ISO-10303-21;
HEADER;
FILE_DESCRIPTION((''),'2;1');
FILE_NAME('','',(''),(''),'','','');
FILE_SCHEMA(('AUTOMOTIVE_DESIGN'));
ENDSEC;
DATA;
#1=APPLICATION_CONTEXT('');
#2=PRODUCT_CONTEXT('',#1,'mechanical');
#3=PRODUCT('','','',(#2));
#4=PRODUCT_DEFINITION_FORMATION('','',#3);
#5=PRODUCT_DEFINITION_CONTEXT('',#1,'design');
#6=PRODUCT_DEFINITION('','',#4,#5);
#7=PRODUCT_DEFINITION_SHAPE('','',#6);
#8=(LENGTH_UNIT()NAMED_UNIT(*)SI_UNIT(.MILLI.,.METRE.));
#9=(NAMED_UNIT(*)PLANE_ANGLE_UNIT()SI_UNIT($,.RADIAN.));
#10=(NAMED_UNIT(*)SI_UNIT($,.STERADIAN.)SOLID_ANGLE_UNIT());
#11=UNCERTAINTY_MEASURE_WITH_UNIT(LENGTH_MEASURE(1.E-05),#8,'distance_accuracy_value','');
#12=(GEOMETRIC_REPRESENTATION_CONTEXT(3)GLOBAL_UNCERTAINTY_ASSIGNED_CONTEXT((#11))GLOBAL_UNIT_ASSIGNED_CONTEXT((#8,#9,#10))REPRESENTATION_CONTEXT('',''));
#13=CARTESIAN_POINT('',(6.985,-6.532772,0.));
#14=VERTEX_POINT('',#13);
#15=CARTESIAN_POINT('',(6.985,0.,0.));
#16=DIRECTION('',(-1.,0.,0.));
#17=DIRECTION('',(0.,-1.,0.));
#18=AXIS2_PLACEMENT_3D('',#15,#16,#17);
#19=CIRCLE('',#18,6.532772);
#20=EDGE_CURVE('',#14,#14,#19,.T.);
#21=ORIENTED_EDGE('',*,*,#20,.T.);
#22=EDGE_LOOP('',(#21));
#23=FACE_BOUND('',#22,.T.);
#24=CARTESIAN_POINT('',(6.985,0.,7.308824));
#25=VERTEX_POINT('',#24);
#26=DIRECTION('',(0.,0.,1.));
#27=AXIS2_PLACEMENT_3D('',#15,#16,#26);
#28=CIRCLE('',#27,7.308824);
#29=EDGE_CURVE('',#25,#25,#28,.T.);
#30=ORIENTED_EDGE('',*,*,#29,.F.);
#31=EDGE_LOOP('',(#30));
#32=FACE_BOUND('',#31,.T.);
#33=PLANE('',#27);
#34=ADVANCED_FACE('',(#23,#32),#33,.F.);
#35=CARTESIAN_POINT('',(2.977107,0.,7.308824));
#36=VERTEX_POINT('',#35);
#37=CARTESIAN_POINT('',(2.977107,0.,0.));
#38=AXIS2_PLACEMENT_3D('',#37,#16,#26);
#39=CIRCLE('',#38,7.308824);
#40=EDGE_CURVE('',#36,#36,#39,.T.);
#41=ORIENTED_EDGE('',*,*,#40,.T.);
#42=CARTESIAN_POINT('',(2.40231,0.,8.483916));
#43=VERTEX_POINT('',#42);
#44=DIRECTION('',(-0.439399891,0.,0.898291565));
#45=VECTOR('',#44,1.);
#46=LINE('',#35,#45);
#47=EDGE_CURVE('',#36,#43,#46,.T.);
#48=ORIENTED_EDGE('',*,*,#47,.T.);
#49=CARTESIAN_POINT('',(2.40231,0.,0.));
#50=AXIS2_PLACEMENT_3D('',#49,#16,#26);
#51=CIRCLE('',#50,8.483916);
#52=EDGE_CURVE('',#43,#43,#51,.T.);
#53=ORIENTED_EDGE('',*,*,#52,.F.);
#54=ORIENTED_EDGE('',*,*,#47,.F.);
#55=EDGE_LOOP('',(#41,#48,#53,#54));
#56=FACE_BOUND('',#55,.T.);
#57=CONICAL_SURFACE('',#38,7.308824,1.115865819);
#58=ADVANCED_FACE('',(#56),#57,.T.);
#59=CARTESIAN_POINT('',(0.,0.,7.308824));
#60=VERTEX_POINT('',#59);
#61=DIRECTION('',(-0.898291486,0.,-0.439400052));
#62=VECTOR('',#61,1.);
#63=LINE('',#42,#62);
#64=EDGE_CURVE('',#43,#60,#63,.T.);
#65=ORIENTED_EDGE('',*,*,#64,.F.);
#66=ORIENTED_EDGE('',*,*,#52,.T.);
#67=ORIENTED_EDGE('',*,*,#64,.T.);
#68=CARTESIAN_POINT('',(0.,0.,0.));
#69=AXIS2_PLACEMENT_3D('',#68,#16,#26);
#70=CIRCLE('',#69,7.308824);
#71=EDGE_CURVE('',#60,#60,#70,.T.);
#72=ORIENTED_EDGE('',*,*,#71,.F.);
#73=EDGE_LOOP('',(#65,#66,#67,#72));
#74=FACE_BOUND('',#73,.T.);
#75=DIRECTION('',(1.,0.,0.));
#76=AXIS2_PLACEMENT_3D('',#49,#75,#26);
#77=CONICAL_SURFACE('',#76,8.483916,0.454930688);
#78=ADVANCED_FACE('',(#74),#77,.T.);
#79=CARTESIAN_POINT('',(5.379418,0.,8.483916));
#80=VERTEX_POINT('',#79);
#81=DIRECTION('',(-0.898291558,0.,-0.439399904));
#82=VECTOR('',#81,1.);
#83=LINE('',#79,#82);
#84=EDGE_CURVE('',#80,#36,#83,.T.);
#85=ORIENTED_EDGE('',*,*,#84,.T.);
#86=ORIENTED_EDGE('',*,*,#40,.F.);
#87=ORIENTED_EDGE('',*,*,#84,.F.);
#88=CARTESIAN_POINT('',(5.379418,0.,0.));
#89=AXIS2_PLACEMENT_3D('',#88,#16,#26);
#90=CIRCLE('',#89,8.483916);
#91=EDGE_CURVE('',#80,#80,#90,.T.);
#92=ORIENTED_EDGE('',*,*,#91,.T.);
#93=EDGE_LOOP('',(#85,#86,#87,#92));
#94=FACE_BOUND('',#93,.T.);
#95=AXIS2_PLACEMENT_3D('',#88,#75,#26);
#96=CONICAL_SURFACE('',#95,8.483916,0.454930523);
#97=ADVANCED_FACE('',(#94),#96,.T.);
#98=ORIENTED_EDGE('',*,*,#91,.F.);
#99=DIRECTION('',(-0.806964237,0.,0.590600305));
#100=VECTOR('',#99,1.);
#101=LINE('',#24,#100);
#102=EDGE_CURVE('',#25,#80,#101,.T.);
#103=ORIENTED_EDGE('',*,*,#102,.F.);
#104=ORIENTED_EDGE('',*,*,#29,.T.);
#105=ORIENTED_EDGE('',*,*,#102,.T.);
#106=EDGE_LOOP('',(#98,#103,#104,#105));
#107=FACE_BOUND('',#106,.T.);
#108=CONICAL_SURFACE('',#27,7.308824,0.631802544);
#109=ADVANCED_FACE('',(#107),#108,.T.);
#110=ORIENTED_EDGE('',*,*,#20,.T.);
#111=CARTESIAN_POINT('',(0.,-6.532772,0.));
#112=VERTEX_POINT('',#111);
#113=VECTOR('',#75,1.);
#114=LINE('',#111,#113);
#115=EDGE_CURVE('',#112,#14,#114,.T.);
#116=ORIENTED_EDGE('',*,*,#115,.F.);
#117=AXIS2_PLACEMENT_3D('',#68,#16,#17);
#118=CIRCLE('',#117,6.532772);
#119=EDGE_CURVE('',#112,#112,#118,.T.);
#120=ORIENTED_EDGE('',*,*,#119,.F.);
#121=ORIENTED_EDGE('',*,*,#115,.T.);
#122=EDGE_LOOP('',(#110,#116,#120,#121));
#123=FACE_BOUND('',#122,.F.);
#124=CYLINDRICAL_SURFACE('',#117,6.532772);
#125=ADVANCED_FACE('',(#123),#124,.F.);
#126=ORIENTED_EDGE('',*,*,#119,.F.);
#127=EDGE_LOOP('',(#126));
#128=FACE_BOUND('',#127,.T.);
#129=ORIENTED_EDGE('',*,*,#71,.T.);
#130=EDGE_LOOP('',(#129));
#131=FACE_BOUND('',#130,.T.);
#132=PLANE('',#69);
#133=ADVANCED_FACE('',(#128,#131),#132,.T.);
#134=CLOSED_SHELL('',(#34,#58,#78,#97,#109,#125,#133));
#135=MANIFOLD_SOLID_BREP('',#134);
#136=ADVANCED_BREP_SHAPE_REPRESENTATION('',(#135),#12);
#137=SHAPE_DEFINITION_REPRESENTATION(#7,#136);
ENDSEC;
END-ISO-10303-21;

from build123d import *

# Parameters (mm, degrees)
F2_R     = 6.532772
F3_DEPTH = 25.4


with BuildPart() as f1:
    # F0 (on Front) → F1 (revolve)
    with BuildSketch(Plane.XZ):
        Polygon((0, 7.308824), (0, 0), (6.985, 0), (6.985, 7.308824), (2.977107, 7.308824), align=None)
        Polygon((2.40231, 8.483916), (0, 7.308824), (2.977107, 7.308824), align=None)
        Polygon((2.977107, 7.308824), (6.985, 7.308824), (5.379418, 8.483916), align=None)
    revolve(axis=Axis((-6.382353, 0, 0), (-1, 0, 0)))

    # F2 (on face) → F3 (cut)
    with BuildSketch(Plane(origin=(0, 0, 0), x_dir=(0, -1, 0), z_dir=(-1, 0, 0))):
        Circle(F2_R)
    extrude(amount=-F3_DEPTH, mode=Mode.SUBTRACT)


solid = f1.part
